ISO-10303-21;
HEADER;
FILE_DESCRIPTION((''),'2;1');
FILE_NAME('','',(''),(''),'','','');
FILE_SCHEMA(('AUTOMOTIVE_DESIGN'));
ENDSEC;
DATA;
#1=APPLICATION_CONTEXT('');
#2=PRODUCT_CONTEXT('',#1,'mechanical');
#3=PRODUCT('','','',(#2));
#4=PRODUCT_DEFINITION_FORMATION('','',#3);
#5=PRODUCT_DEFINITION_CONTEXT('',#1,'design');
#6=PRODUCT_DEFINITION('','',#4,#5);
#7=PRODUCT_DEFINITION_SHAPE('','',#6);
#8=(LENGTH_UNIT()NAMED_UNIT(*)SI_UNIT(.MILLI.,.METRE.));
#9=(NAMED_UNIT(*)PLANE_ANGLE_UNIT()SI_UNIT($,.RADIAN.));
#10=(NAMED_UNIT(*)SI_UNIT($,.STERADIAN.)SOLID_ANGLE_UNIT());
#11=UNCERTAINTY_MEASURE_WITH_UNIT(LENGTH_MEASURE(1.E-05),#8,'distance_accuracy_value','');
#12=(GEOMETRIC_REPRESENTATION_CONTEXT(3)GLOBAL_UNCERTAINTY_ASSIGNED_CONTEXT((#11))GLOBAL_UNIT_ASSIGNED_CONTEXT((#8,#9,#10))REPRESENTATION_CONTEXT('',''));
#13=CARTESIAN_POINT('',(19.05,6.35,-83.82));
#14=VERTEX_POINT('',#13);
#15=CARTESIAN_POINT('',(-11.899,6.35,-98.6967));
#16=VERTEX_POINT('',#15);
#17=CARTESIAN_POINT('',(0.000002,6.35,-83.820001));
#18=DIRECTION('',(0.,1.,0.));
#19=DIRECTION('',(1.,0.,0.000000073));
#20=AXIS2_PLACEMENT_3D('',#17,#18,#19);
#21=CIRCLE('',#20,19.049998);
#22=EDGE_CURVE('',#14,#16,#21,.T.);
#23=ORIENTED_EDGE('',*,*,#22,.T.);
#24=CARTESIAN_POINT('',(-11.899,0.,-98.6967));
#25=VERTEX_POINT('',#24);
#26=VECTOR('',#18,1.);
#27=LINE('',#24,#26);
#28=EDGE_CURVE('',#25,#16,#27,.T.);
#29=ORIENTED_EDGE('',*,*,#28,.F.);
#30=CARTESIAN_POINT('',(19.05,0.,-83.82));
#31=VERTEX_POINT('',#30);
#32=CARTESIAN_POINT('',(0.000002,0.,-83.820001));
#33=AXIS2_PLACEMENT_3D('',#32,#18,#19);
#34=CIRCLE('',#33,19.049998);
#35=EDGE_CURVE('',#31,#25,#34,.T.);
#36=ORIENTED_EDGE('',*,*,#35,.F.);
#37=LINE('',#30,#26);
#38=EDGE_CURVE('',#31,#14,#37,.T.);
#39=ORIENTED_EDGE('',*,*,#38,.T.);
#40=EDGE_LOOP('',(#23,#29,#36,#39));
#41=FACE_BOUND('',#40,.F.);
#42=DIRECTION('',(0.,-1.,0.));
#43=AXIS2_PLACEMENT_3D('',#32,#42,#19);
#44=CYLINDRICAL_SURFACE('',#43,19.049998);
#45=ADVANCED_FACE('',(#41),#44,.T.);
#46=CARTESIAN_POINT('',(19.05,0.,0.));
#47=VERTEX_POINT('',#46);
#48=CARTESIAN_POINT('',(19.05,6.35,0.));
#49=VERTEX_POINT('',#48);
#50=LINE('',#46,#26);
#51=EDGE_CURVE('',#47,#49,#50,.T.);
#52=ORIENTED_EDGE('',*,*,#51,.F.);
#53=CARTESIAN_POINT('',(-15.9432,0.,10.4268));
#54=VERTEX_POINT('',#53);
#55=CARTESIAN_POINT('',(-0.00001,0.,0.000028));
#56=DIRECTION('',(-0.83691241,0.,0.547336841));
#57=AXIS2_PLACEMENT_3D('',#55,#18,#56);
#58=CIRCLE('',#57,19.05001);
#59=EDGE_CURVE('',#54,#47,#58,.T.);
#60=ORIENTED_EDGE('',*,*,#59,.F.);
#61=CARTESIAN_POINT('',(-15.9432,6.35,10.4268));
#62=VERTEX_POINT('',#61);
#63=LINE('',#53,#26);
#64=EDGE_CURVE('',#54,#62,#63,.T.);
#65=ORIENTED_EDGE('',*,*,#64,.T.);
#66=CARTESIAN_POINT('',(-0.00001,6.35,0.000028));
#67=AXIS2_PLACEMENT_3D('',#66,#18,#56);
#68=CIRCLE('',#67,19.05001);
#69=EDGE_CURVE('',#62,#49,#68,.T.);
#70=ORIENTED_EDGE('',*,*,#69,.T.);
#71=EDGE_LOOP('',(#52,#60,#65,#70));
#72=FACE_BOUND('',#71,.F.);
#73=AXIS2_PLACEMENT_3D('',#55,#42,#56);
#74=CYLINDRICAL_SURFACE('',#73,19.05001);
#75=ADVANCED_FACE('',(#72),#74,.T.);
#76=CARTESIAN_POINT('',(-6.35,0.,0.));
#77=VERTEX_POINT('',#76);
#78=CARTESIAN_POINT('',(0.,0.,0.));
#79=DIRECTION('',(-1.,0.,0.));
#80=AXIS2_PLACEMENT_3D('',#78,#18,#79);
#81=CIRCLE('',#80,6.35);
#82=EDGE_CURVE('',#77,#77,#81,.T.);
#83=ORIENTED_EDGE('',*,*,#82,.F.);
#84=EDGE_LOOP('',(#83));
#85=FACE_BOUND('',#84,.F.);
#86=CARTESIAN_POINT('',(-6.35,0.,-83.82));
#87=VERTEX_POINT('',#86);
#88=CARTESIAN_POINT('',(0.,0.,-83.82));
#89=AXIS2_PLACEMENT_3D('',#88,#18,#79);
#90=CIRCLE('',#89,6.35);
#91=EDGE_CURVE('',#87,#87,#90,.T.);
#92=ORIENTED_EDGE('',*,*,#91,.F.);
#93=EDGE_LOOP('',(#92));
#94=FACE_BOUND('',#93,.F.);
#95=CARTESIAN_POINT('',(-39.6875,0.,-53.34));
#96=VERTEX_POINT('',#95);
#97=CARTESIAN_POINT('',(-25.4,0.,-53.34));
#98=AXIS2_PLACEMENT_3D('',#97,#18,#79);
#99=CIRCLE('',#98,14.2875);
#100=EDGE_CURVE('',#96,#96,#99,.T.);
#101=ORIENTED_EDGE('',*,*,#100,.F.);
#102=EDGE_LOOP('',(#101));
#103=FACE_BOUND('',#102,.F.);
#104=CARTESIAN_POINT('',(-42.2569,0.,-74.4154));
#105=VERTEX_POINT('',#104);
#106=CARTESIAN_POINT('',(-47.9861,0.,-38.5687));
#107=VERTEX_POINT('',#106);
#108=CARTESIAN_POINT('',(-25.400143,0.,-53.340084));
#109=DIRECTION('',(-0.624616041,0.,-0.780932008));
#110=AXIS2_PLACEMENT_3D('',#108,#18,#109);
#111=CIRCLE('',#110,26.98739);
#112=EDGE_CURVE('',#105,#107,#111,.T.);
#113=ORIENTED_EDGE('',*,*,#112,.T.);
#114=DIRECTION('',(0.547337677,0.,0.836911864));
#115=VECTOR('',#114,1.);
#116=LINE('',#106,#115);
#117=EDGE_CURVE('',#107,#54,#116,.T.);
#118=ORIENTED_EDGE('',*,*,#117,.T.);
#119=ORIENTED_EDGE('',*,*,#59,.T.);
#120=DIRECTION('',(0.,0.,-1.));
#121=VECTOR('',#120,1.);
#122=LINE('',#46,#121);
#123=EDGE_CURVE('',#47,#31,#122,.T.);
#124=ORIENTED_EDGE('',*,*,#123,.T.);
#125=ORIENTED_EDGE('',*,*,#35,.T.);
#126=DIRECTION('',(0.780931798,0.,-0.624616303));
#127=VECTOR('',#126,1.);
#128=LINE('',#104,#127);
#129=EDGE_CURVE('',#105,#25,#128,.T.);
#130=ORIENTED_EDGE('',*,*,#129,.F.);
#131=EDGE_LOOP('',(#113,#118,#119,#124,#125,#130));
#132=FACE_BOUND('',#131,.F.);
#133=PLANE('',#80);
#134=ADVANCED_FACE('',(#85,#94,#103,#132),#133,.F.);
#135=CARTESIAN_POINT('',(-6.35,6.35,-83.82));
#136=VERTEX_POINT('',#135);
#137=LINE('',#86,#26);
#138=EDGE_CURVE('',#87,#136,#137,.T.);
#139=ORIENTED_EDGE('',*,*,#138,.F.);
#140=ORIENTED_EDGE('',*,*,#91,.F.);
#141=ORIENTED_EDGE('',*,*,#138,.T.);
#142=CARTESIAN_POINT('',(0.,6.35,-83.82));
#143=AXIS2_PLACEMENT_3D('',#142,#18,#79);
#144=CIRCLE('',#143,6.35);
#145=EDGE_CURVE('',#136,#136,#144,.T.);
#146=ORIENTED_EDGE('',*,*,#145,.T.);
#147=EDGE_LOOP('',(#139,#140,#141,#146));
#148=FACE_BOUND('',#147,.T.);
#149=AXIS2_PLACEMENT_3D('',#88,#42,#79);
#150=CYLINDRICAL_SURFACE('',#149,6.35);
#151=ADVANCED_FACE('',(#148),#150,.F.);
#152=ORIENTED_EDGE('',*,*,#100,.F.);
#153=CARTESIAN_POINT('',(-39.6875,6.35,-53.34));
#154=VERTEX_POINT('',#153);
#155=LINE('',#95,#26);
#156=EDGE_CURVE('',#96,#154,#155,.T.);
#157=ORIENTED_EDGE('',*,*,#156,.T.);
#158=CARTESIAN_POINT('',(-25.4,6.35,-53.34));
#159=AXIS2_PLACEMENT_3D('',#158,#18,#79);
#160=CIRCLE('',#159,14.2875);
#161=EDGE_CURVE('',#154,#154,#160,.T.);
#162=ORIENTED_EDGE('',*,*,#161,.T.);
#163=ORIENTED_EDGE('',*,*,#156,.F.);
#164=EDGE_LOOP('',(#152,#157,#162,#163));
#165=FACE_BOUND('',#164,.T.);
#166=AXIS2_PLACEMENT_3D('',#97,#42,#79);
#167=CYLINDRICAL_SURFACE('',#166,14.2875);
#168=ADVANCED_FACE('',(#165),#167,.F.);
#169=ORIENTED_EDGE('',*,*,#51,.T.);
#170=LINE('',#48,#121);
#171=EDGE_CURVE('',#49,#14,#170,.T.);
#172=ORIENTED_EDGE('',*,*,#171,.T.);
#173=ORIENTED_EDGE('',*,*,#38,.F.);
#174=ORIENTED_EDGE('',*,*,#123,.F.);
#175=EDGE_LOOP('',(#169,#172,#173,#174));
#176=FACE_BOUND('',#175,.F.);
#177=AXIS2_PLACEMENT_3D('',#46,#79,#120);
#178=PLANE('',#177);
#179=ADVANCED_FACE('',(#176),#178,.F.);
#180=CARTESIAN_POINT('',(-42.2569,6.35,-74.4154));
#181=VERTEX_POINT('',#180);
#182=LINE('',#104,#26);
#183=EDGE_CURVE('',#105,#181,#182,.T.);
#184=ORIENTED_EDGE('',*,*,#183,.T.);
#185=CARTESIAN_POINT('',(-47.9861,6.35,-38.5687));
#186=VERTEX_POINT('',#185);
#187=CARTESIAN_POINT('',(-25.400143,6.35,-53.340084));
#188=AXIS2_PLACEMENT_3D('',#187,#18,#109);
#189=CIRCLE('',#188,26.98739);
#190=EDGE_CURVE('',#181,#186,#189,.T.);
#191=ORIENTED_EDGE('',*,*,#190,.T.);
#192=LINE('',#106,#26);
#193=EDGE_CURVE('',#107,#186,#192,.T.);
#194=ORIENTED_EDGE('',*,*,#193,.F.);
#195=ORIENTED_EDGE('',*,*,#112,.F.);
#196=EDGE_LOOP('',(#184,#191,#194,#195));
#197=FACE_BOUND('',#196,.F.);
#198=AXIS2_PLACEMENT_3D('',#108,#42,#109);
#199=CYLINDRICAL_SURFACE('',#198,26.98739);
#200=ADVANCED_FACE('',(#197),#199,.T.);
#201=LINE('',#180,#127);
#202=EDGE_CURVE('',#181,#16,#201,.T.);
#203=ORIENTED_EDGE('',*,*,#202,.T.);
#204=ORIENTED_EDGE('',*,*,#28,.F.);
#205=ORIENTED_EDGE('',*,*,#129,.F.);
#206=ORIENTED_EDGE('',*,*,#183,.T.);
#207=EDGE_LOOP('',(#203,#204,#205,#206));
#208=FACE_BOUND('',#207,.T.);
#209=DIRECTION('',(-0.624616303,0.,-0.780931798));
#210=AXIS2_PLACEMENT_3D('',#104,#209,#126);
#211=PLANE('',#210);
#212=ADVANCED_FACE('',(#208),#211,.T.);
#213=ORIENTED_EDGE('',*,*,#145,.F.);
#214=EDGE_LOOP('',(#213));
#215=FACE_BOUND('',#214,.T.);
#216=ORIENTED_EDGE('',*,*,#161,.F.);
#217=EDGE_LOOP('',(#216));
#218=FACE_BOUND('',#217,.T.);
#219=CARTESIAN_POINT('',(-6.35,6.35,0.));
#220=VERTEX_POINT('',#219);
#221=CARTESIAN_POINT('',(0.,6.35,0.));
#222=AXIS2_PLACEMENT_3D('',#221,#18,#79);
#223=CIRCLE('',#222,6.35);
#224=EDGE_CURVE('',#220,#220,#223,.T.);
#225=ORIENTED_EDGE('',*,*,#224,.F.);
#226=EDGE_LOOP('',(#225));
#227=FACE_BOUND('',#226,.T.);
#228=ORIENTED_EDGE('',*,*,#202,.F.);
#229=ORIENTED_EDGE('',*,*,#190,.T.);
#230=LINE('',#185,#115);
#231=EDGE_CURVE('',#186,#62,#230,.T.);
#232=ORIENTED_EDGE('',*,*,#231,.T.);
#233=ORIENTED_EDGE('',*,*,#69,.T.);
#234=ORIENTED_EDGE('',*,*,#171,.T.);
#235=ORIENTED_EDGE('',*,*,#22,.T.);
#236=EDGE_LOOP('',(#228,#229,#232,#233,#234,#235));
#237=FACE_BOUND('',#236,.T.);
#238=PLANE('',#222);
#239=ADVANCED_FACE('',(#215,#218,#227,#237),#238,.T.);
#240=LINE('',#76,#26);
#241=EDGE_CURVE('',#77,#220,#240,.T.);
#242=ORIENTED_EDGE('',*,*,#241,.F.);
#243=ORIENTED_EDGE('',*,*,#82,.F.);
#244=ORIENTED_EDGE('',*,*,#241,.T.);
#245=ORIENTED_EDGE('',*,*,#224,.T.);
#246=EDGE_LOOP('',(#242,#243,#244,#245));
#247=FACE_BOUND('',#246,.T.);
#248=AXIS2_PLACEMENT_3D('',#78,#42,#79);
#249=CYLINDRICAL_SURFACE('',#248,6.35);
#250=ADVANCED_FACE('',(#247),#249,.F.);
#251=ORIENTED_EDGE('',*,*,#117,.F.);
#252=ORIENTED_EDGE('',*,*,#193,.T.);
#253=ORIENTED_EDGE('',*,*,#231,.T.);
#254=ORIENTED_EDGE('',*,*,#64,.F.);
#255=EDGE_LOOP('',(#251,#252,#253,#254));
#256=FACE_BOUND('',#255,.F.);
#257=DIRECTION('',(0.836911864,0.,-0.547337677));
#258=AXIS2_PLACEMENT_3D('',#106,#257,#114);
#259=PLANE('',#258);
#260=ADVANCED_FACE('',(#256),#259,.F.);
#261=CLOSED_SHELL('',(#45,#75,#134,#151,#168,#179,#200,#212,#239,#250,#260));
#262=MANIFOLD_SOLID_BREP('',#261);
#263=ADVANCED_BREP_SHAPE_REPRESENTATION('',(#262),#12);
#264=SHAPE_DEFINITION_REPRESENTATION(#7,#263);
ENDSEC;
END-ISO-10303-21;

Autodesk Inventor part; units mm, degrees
ref_plane "YZ Plane" through (0, 0, 0) normal (1, 0, 0) x (0, 1, 0)
ref_plane "XZ Plane" through (0, 0, 0) normal (0, 1, 0) x (-1, 0, 0)
ref_plane "XY Plane" through (0, 0, 0) normal (0, 0, 1) x (1, 0, 0)
sketch "Sketch1" plane through (0, 0, 0) normal (0, 1, 0) x (-1, 0, 0)
  line L0 (0, 0) -> (0, -83.82) construction
  circle A0 centre (0, -83.82) radius 6.35
  circle A1 centre (0, 0) radius 6.35
  circle A2 centre (25.4, -53.34) radius 14.2875
  line L1 (0, -83.82) -> (0, -53.34) construction
  circle A3 centre (25.4, -53.34) radius 26.9875 construction
  line L2 (0, -53.34) -> (25.4, -53.34) construction
  circle A4 centre (0, 0) radius 19.05 construction
  circle A5 centre (0, -83.82) radius 19.05 construction
  line L3 (-19.05, 0) -> (-19.05, -83.82)
  line L4 (42.2569, -74.4154) -> (11.899, -98.6967)
  line L5 (47.9861, -38.5687) -> (15.9432, 10.4268)
  arc A6 (42.2569, -74.4154) -> (47.9861, -38.5687) centre (25.4, -53.34) ccw
  arc A7 (15.9432, 10.4268) -> (-19.05, 0) centre (0, 0) ccw
  arc A8 (-19.05, -83.82) -> (11.899, -98.6967) centre (0, -83.82) ccw
  dimension "d0" = 83.82
  dimension "d1" = 12.7
  dimension "d2" = 12.7
  dimension "d4" = 28.575
  dimension "d5" = 30.48
  dimension "d6" = 12.7
  dimension "d7" = 25.4
  dimension "d8" = 12.7
  dimension "d9" = 12.7
extrude "Extrusion1" add sketch "Sketch1" along normal blind 6.35
properties part number "DragBarLinkage3 Bar2"
